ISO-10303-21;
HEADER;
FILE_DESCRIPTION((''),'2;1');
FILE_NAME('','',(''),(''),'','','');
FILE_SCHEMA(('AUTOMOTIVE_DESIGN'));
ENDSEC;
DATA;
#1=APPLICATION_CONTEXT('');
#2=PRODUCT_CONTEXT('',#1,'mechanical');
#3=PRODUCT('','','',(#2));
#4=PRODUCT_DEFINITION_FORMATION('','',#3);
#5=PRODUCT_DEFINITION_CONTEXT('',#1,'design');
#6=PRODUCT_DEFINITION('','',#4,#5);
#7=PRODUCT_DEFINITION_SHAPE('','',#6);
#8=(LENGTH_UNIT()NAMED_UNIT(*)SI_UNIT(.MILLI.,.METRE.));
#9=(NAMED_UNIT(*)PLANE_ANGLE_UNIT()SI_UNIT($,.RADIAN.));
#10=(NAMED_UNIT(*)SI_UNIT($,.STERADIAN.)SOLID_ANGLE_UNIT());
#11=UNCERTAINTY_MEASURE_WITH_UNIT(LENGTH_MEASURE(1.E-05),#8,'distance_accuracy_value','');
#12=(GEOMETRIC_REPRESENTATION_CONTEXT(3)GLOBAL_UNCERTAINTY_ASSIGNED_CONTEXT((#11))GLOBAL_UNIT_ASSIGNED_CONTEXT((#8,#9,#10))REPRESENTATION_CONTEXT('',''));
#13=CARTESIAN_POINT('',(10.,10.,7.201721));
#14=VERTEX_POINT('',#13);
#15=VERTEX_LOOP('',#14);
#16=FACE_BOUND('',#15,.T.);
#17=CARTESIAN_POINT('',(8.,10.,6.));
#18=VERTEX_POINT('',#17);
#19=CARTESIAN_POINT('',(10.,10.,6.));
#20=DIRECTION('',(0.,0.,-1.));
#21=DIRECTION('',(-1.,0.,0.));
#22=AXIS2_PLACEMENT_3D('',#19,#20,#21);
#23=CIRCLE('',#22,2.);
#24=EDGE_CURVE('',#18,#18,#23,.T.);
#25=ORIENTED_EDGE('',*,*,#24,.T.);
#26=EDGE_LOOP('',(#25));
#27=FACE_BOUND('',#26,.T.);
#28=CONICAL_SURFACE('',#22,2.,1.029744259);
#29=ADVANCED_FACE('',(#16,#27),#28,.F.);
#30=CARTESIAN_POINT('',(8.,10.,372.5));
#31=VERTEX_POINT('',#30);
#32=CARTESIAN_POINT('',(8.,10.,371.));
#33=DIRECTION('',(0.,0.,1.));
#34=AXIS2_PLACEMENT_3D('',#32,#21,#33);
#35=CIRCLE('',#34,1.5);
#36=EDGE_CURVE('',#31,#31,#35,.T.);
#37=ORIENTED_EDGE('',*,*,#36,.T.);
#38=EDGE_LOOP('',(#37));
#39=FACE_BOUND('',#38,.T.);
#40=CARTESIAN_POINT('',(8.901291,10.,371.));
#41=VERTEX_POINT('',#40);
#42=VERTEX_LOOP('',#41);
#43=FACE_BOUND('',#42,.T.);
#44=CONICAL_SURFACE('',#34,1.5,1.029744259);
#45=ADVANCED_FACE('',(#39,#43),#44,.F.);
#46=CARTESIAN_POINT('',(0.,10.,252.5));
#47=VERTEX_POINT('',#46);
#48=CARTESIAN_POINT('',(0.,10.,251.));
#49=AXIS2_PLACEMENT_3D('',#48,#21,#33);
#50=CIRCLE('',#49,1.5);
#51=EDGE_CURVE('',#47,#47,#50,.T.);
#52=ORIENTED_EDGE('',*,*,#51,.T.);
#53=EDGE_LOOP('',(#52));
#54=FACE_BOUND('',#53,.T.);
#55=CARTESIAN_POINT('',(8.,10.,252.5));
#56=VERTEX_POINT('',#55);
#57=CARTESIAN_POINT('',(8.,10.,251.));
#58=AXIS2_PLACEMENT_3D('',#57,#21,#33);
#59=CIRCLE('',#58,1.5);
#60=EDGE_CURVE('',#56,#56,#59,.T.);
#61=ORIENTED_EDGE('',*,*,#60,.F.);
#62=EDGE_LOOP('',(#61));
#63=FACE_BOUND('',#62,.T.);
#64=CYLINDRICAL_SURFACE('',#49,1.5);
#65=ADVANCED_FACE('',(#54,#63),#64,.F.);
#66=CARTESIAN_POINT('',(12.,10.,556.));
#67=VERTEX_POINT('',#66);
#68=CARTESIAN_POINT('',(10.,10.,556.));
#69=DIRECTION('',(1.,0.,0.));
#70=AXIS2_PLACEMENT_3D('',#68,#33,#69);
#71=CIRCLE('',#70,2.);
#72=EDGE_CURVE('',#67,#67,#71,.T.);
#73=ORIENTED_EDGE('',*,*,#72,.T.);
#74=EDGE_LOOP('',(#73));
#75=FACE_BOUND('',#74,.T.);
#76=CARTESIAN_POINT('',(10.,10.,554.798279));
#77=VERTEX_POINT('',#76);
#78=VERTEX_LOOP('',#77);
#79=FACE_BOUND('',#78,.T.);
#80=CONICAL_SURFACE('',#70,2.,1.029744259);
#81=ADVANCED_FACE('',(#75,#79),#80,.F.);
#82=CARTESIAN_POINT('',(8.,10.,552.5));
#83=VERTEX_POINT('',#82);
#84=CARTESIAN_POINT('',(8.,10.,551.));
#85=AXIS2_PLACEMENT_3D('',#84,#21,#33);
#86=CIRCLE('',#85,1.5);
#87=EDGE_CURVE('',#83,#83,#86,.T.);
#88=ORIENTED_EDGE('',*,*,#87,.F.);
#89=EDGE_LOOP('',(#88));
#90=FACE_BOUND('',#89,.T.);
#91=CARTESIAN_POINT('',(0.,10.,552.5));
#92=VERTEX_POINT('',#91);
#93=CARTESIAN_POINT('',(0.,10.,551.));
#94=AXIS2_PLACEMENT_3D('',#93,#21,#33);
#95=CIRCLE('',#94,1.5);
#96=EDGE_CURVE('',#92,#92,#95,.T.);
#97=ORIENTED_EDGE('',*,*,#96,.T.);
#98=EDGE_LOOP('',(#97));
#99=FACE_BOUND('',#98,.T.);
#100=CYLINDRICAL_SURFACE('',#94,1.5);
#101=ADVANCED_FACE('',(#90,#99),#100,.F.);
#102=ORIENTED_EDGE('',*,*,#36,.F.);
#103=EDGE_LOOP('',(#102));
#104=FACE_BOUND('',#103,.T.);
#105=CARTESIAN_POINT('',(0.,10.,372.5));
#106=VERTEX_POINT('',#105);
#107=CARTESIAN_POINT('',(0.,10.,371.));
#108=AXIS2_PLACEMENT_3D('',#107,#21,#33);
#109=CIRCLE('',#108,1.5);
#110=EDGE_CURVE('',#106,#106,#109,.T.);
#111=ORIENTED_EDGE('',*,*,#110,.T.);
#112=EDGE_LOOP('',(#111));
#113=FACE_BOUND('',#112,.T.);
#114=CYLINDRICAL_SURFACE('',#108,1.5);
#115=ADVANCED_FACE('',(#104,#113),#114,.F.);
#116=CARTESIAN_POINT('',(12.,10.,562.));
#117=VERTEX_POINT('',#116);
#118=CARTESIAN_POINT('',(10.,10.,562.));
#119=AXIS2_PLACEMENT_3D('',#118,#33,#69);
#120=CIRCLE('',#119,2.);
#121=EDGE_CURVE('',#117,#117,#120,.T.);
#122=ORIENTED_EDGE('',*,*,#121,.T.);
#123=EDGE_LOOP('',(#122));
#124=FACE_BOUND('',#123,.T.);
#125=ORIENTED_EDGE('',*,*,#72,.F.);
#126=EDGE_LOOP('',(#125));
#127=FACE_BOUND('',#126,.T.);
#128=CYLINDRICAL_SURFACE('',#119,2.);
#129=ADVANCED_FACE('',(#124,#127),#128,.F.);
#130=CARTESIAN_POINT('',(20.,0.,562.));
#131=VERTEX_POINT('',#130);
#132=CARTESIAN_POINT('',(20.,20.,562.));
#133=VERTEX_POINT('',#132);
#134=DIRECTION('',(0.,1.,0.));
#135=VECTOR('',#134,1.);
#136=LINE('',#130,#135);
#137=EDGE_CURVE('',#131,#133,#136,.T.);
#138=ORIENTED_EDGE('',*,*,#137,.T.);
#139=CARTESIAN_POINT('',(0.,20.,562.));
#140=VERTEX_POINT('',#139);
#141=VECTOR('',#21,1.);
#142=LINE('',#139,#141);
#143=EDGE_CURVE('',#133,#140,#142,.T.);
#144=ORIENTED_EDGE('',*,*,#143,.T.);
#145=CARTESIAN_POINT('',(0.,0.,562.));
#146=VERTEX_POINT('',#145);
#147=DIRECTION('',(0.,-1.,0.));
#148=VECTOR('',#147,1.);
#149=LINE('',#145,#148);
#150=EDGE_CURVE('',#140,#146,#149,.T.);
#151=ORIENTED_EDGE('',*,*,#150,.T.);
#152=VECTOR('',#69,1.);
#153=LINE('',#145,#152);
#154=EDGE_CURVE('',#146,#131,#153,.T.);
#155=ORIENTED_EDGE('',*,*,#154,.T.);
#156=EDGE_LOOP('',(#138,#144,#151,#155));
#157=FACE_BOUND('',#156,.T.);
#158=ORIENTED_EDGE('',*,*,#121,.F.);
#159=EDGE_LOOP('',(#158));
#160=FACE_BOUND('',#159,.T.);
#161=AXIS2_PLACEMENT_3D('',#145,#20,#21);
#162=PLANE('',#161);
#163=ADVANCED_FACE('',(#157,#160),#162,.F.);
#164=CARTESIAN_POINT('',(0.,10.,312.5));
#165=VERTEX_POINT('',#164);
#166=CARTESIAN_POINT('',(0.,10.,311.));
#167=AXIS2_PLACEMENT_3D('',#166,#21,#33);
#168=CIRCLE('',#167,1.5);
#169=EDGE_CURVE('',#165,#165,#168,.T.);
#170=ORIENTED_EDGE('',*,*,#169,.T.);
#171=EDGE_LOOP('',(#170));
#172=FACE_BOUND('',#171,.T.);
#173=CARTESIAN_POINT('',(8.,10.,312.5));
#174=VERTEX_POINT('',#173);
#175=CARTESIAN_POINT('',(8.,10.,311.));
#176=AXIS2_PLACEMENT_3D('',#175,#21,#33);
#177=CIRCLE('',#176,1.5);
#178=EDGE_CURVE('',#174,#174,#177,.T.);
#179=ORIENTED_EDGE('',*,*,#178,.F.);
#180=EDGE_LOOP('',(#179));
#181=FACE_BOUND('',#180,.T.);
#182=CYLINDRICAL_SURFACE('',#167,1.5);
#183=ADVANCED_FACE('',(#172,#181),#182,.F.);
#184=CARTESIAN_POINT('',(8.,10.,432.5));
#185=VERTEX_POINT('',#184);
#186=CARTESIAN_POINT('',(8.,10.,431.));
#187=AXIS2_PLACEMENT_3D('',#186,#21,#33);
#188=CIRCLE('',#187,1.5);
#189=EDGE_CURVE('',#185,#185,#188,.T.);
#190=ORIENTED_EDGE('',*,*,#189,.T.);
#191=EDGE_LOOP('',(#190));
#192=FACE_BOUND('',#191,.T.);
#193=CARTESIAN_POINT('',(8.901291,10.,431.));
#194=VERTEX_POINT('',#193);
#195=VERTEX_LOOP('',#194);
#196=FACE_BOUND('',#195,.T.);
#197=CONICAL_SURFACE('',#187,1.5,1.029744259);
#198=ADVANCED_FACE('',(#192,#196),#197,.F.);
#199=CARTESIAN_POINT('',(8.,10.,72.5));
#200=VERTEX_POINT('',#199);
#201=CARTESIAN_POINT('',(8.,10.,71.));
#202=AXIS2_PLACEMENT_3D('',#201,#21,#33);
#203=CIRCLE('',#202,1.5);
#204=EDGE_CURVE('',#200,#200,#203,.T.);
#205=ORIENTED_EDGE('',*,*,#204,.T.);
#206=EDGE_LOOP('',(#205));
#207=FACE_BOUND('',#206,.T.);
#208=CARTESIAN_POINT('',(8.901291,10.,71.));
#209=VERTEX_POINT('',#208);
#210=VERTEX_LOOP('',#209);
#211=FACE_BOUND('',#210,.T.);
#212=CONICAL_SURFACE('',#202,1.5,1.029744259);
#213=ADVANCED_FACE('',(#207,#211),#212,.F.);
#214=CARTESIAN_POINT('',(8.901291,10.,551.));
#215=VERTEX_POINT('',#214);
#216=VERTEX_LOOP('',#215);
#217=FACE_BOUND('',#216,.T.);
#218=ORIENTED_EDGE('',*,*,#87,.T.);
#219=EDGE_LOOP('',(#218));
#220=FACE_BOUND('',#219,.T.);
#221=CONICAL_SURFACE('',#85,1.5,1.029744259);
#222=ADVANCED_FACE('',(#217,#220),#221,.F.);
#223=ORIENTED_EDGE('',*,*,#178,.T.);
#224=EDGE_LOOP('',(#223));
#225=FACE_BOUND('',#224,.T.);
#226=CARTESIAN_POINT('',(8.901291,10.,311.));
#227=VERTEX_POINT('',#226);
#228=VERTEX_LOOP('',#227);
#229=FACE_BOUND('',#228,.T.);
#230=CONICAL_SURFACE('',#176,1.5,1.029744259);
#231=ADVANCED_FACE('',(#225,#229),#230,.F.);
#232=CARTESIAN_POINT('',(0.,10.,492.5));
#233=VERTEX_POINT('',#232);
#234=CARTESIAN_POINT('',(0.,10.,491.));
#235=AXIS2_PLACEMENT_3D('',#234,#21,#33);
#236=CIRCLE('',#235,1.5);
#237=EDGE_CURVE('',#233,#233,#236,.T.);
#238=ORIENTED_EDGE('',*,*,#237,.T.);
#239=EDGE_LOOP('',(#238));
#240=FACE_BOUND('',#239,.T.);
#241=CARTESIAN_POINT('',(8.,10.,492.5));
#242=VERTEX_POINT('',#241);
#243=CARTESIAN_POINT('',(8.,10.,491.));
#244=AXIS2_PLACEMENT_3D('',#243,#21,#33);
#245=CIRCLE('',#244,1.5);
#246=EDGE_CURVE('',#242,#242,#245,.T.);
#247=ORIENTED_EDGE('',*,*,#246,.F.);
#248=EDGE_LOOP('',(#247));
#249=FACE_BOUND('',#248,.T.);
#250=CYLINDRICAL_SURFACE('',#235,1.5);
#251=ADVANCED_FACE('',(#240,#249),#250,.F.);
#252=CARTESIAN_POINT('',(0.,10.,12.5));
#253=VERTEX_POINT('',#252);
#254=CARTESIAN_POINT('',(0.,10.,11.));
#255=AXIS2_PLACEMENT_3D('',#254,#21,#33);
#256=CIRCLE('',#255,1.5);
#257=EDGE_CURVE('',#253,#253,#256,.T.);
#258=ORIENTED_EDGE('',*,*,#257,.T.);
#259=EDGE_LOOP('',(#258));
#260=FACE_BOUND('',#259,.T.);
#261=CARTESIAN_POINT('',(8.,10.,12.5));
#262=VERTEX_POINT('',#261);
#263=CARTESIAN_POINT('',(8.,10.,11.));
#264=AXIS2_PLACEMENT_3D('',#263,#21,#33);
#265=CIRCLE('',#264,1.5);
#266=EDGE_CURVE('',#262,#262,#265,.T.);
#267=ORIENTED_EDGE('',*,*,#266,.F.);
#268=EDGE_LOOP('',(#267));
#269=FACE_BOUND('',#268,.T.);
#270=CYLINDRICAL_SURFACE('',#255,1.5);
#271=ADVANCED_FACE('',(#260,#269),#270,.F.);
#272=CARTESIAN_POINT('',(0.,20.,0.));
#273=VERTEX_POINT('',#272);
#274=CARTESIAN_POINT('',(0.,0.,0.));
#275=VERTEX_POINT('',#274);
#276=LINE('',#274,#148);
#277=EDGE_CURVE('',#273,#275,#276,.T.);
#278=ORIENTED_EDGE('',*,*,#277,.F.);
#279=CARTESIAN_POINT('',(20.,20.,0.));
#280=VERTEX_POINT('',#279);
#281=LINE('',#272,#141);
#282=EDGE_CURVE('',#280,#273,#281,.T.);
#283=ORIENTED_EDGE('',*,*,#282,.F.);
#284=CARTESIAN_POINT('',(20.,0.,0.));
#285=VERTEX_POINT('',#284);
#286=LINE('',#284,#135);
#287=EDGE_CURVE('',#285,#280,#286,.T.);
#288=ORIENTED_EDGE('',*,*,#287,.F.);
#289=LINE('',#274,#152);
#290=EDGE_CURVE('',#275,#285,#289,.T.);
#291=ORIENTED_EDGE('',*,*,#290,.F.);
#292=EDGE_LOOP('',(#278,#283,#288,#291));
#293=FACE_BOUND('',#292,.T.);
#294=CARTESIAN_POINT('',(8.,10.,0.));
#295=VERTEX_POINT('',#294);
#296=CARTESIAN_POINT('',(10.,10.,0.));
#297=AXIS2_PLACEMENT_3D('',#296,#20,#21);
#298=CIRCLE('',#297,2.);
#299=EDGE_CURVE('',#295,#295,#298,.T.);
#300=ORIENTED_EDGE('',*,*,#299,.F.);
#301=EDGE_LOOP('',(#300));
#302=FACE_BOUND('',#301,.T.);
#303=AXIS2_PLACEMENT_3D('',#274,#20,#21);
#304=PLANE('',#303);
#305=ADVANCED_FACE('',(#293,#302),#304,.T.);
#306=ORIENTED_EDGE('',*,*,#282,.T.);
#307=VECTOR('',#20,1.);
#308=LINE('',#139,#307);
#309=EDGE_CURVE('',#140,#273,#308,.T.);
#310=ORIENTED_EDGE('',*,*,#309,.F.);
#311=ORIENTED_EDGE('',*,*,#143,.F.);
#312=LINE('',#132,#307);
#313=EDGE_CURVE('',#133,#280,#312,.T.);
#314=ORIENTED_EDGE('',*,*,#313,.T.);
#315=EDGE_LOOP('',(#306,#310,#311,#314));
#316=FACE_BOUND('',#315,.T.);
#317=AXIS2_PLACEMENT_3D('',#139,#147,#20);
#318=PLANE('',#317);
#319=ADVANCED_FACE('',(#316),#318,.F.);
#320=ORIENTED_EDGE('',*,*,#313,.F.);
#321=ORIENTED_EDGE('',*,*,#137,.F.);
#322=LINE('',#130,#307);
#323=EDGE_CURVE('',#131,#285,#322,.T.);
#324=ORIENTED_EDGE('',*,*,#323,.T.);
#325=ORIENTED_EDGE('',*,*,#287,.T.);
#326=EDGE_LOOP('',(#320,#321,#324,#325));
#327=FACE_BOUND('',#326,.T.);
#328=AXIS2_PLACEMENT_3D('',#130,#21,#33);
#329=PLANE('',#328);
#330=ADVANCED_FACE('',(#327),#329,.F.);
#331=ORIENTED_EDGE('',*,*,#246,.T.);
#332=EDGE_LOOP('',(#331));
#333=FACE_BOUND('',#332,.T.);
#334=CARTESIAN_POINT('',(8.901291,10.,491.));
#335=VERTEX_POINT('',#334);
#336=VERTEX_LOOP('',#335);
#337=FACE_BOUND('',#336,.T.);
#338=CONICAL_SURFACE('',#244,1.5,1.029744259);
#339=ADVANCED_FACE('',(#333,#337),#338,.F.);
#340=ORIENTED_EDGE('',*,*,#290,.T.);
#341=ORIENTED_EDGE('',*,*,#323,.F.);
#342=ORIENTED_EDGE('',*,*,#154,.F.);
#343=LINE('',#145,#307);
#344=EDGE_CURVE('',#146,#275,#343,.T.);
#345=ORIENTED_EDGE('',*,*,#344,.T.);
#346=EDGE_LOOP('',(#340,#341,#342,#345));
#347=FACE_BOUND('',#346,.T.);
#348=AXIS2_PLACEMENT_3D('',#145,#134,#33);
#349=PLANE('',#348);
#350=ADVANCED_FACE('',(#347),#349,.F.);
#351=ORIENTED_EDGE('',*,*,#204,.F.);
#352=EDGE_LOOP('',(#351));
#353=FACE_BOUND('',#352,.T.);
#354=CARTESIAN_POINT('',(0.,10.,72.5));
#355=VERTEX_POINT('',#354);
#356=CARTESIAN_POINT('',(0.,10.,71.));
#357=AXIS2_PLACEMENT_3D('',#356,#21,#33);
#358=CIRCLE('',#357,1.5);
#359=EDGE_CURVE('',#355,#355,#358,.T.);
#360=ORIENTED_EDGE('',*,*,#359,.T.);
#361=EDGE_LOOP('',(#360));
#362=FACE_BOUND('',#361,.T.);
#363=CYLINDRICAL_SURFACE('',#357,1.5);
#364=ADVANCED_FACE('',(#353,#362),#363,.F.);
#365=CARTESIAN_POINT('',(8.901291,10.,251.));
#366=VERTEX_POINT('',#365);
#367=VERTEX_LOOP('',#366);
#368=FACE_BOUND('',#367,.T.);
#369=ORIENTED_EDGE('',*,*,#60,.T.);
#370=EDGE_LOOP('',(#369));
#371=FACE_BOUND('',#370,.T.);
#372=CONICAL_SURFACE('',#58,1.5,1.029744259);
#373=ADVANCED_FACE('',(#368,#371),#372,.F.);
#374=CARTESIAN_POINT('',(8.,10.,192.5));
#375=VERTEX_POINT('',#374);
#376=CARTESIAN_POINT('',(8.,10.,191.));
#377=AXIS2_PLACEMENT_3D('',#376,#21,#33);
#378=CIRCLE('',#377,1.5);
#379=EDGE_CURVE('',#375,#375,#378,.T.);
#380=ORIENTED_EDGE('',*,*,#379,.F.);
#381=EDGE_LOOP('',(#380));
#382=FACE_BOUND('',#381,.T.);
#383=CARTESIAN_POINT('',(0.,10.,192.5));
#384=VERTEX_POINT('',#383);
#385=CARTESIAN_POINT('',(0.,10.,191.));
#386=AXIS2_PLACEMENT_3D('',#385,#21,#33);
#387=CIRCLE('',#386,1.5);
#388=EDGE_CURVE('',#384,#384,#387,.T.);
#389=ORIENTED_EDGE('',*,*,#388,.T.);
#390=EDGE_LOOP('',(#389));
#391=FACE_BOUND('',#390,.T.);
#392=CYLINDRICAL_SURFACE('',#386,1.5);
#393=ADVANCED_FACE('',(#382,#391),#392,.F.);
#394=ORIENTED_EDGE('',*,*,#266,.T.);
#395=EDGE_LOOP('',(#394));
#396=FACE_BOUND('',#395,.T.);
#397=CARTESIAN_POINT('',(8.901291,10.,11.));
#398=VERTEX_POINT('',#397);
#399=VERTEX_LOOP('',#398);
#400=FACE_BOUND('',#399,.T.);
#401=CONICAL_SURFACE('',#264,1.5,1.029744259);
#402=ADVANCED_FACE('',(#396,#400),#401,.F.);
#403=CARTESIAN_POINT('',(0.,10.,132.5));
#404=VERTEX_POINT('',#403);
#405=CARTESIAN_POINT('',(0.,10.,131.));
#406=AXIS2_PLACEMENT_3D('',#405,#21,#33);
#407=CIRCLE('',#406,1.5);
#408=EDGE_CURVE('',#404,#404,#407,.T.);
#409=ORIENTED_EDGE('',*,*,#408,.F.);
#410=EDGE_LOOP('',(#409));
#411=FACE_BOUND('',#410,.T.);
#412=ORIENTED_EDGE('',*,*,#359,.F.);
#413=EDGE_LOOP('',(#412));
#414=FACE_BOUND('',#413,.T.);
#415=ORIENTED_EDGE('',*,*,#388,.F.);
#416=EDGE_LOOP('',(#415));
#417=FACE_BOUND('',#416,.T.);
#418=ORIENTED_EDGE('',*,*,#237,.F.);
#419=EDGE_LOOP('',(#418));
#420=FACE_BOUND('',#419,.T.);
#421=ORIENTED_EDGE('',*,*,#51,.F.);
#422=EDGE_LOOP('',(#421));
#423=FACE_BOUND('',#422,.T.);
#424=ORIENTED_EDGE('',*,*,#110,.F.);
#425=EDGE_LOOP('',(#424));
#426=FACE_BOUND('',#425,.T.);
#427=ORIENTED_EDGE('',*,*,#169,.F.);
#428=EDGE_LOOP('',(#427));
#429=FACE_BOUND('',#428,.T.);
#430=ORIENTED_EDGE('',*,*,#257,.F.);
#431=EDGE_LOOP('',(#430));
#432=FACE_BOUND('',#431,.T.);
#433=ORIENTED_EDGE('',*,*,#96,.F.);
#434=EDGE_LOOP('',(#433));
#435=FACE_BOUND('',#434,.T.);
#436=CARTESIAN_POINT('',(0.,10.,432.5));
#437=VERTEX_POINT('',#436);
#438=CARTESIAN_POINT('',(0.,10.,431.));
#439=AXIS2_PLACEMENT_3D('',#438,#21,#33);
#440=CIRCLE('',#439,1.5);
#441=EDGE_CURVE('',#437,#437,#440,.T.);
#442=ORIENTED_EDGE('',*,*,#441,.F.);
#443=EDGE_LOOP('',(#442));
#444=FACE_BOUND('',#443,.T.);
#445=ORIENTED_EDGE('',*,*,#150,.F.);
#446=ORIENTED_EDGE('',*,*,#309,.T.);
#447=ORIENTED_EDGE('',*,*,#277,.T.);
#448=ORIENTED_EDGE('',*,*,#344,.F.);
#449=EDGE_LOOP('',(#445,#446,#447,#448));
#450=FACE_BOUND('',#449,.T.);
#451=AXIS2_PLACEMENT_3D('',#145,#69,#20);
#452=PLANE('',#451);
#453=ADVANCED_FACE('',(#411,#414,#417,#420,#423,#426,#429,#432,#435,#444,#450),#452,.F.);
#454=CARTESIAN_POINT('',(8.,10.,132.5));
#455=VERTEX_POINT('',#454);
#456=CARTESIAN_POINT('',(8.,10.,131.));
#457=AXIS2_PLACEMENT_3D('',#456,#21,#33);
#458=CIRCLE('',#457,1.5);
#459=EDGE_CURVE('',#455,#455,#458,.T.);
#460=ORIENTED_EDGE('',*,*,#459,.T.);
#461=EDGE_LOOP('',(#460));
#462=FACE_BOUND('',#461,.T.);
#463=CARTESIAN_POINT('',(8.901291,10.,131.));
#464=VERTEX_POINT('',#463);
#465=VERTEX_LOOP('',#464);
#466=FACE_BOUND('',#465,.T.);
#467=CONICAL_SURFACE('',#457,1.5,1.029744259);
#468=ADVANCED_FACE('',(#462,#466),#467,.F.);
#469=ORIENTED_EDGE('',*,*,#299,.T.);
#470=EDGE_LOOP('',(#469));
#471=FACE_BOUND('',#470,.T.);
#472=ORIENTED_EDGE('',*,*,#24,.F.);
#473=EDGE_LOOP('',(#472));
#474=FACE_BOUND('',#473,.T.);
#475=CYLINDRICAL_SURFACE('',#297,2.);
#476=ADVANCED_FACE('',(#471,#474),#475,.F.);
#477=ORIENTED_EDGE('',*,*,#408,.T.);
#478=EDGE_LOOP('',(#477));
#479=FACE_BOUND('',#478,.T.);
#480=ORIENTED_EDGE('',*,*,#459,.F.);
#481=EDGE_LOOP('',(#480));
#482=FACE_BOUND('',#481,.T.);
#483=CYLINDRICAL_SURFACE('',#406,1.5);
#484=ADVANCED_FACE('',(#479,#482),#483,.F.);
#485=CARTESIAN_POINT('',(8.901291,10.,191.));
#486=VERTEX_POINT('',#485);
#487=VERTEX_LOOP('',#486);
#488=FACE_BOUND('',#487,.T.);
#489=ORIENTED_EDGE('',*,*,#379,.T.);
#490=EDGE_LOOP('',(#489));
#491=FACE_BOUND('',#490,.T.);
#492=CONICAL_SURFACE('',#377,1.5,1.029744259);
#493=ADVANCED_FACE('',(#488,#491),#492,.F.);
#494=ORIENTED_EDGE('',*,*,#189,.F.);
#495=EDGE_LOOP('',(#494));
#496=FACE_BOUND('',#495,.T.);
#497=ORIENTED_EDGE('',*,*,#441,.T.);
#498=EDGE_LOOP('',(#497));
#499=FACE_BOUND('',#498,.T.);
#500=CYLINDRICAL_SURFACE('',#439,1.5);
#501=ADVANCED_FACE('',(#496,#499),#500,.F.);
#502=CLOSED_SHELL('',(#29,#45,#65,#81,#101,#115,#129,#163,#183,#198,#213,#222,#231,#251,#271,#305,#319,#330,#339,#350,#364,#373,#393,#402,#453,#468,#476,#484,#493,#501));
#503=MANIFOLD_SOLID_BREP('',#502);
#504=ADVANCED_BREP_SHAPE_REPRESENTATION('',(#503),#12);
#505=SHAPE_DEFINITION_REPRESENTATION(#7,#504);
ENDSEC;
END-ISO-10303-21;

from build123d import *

# Parameters (mm, degrees)
SKETCH1_W                 = 20
SKETCH1_H                 = 20
BOSS_EXTRUDE1_DEPTH       = 562
F_3_0MM_DOWEL_HOLE1_D     = 3
F_3_0MM_DOWEL_HOLE1_DEPTH = 8
F_3_0MM_DOWEL_HOLE1_TIP   = 0.901290929
F_4_0MM_DOWEL_HOLE1_D     = 4
F_4_0MM_DOWEL_HOLE1_DEPTH = 6
F_4_0MM_DOWEL_HOLE1_TIP   = 1.201721238
F_4_0MM_DOWEL_HOLE2_D     = 4
F_4_0MM_DOWEL_HOLE2_DEPTH = 6
F_4_0MM_DOWEL_HOLE2_TIP   = 1.201721238


with BuildPart() as part:
    # Sketch1 → Boss-Extrude1 (new body)
    with BuildSketch(Plane.XY):
        with Locations((10, 10)):
            Rectangle(SKETCH1_W, SKETCH1_H)
    extrude(amount=BOSS_EXTRUDE1_DEPTH)

    # Ø3.0mm Dowel Hole1
    with Locations(Plane.ZY):
        with Locations((551, 10), (491, 10), (431, 10), (371, 10), (311, 10), (251, 10), (191, 10), (131, 10), (71, 10), (11, 10)):
            Hole(F_3_0MM_DOWEL_HOLE1_D / 2, depth=F_3_0MM_DOWEL_HOLE1_DEPTH)
            with Locations((0, 0, -(F_3_0MM_DOWEL_HOLE1_DEPTH + F_3_0MM_DOWEL_HOLE1_TIP / 2))):  # 118° drill point
                Cone(0, F_3_0MM_DOWEL_HOLE1_D / 2, F_3_0MM_DOWEL_HOLE1_TIP, mode=Mode.SUBTRACT)

    # Ø4.0mm Dowel Hole1
    with Locations(Plane.XY.offset(562)):
        with Locations((10, 10)):
            Hole(F_4_0MM_DOWEL_HOLE1_D / 2, depth=F_4_0MM_DOWEL_HOLE1_DEPTH)
            with Locations((0, 0, -(F_4_0MM_DOWEL_HOLE1_DEPTH + F_4_0MM_DOWEL_HOLE1_TIP / 2))):  # 118° drill point
                Cone(0, F_4_0MM_DOWEL_HOLE1_D / 2, F_4_0MM_DOWEL_HOLE1_TIP, mode=Mode.SUBTRACT)

    # Ø4.0mm Dowel Hole2
    with Locations(Plane(origin=(0, 0, 0), x_dir=(-1, 0, 0), z_dir=(0, 0, -1))):
        with Locations((-10, 10)):
            Hole(F_4_0MM_DOWEL_HOLE2_D / 2, depth=F_4_0MM_DOWEL_HOLE2_DEPTH)
            with Locations((0, 0, -(F_4_0MM_DOWEL_HOLE2_DEPTH + F_4_0MM_DOWEL_HOLE2_TIP / 2))):  # 118° drill point
                Cone(0, F_4_0MM_DOWEL_HOLE2_D / 2, F_4_0MM_DOWEL_HOLE2_TIP, mode=Mode.SUBTRACT)


solid = part.part
